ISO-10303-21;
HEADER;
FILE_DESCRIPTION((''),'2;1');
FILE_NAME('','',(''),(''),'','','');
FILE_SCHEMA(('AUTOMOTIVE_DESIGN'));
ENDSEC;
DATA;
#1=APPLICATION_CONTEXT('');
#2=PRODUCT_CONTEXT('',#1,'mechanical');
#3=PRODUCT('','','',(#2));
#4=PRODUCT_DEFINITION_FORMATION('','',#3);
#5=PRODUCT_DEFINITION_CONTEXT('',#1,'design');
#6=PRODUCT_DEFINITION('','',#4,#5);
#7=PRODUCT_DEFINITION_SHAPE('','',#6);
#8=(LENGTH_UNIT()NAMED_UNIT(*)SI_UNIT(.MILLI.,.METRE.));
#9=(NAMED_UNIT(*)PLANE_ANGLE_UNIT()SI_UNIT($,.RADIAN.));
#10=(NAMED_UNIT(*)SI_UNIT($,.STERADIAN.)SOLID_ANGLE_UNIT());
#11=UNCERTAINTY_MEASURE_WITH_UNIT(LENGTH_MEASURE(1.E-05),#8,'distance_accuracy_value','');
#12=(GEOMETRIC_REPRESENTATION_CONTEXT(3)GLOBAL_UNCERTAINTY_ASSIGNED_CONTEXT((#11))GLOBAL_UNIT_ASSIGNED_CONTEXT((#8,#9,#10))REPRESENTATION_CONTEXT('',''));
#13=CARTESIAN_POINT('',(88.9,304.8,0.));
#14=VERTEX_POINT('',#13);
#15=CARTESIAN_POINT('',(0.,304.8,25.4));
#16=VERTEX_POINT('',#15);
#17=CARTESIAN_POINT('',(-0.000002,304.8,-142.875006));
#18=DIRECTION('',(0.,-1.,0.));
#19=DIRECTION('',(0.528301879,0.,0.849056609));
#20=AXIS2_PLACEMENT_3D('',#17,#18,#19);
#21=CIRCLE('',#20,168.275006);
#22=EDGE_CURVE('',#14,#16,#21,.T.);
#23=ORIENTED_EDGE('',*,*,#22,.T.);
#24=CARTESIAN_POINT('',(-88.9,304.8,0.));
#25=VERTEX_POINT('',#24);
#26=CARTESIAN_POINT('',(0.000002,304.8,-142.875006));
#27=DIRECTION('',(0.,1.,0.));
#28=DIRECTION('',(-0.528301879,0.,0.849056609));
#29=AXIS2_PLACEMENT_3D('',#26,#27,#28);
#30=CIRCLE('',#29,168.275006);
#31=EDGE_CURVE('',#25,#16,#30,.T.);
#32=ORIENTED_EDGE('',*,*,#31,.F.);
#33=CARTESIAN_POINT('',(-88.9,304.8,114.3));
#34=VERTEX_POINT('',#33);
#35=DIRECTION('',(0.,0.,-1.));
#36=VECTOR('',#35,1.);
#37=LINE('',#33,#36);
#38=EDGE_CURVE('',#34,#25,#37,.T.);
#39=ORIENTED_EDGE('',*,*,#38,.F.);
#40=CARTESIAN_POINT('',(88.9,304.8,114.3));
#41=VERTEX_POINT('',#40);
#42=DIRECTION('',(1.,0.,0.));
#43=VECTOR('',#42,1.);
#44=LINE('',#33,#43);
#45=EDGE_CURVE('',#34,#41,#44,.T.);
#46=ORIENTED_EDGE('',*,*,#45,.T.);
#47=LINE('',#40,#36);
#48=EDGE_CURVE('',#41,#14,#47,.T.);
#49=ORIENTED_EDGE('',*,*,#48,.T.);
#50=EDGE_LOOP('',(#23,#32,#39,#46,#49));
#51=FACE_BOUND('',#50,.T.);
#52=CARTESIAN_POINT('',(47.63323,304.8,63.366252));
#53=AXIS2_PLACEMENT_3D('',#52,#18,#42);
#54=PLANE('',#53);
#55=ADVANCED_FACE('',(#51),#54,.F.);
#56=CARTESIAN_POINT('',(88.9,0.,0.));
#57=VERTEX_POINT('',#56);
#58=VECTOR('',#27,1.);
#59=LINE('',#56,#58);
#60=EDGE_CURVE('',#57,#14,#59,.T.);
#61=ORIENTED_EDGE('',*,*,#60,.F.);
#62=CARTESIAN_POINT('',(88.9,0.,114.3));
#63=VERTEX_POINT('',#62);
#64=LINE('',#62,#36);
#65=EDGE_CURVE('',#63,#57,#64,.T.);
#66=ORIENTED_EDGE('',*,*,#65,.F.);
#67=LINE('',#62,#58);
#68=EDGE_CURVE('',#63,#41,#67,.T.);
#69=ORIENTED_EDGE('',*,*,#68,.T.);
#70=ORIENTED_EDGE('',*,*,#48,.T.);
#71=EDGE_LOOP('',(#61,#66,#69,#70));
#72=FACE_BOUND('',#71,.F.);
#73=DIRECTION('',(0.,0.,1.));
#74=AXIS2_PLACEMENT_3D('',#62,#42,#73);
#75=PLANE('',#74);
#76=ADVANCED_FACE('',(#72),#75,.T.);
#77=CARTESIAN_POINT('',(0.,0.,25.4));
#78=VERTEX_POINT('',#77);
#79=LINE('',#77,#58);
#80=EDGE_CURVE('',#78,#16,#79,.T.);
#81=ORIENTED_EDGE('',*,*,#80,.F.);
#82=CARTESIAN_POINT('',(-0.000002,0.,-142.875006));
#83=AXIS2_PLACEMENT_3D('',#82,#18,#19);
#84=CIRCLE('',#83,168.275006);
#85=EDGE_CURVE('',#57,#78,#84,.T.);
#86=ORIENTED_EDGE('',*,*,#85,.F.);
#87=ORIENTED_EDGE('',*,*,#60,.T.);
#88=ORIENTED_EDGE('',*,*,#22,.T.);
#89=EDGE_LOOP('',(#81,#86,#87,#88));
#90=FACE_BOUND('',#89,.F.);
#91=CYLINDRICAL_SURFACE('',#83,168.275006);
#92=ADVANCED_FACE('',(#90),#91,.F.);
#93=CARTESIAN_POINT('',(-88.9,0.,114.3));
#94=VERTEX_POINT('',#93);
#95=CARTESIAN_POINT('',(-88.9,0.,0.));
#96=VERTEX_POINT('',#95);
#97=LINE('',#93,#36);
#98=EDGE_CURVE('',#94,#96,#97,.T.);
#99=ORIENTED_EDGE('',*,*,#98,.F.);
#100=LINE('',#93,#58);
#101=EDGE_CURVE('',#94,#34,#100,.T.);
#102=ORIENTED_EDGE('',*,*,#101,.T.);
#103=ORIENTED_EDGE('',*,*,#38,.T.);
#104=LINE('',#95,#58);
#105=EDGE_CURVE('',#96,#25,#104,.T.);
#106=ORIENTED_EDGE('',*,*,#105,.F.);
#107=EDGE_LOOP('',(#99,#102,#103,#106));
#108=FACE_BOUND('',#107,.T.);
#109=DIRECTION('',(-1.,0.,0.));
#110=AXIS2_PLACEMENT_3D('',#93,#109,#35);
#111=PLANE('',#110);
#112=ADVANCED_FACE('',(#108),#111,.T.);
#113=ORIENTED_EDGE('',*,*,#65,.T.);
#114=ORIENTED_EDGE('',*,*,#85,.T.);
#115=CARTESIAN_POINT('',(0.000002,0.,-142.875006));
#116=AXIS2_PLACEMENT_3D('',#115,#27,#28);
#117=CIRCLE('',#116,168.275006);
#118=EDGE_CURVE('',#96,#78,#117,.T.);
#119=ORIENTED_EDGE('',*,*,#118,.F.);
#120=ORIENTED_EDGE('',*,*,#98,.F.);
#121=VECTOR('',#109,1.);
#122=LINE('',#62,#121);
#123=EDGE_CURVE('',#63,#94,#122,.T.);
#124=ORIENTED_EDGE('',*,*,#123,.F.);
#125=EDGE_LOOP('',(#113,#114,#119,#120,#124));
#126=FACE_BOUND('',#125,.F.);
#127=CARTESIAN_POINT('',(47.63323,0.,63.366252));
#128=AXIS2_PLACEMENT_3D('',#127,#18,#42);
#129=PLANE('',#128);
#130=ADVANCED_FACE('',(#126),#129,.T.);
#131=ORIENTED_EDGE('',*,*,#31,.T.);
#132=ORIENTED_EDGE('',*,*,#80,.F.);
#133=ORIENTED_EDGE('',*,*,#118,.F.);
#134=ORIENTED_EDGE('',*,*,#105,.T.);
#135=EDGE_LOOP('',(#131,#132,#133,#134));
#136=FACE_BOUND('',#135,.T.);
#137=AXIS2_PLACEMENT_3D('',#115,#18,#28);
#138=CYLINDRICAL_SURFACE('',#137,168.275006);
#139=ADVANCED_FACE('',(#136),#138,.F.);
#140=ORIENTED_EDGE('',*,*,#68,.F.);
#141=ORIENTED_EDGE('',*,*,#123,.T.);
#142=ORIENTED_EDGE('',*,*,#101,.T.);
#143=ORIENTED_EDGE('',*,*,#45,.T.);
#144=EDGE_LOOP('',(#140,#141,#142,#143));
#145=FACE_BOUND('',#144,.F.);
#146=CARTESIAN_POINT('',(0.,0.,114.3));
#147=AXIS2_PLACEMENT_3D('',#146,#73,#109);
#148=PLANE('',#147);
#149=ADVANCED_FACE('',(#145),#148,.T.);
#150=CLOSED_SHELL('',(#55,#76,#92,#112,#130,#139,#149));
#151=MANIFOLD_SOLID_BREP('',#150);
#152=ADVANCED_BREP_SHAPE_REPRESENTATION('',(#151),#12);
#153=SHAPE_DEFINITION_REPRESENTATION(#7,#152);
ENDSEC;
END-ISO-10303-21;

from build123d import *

# Parameters (mm, degrees)
F1_DEPTH = 304.8


with BuildPart() as f1:
    # F0 (on Front) → F1 (new body)
    with BuildSketch(Plane.XZ):
        with BuildLine():
            ThreePointArc((-88.9, 0), (-46.228698, 18.925442), (0, 25.4))
            Line((0, 25.4), (0, 114.3))
            Line((0, 114.3), (-88.9, 114.3))
            Line((-88.9, 114.3), (-88.9, 0))
        make_face()
    extrude(amount=-F1_DEPTH)

    # F2: F1 across plane


with BuildPart() as f1_1:
    add(f1.part)
    add(f1.part.mirror(Plane.YZ))


solid = f1_1.part
